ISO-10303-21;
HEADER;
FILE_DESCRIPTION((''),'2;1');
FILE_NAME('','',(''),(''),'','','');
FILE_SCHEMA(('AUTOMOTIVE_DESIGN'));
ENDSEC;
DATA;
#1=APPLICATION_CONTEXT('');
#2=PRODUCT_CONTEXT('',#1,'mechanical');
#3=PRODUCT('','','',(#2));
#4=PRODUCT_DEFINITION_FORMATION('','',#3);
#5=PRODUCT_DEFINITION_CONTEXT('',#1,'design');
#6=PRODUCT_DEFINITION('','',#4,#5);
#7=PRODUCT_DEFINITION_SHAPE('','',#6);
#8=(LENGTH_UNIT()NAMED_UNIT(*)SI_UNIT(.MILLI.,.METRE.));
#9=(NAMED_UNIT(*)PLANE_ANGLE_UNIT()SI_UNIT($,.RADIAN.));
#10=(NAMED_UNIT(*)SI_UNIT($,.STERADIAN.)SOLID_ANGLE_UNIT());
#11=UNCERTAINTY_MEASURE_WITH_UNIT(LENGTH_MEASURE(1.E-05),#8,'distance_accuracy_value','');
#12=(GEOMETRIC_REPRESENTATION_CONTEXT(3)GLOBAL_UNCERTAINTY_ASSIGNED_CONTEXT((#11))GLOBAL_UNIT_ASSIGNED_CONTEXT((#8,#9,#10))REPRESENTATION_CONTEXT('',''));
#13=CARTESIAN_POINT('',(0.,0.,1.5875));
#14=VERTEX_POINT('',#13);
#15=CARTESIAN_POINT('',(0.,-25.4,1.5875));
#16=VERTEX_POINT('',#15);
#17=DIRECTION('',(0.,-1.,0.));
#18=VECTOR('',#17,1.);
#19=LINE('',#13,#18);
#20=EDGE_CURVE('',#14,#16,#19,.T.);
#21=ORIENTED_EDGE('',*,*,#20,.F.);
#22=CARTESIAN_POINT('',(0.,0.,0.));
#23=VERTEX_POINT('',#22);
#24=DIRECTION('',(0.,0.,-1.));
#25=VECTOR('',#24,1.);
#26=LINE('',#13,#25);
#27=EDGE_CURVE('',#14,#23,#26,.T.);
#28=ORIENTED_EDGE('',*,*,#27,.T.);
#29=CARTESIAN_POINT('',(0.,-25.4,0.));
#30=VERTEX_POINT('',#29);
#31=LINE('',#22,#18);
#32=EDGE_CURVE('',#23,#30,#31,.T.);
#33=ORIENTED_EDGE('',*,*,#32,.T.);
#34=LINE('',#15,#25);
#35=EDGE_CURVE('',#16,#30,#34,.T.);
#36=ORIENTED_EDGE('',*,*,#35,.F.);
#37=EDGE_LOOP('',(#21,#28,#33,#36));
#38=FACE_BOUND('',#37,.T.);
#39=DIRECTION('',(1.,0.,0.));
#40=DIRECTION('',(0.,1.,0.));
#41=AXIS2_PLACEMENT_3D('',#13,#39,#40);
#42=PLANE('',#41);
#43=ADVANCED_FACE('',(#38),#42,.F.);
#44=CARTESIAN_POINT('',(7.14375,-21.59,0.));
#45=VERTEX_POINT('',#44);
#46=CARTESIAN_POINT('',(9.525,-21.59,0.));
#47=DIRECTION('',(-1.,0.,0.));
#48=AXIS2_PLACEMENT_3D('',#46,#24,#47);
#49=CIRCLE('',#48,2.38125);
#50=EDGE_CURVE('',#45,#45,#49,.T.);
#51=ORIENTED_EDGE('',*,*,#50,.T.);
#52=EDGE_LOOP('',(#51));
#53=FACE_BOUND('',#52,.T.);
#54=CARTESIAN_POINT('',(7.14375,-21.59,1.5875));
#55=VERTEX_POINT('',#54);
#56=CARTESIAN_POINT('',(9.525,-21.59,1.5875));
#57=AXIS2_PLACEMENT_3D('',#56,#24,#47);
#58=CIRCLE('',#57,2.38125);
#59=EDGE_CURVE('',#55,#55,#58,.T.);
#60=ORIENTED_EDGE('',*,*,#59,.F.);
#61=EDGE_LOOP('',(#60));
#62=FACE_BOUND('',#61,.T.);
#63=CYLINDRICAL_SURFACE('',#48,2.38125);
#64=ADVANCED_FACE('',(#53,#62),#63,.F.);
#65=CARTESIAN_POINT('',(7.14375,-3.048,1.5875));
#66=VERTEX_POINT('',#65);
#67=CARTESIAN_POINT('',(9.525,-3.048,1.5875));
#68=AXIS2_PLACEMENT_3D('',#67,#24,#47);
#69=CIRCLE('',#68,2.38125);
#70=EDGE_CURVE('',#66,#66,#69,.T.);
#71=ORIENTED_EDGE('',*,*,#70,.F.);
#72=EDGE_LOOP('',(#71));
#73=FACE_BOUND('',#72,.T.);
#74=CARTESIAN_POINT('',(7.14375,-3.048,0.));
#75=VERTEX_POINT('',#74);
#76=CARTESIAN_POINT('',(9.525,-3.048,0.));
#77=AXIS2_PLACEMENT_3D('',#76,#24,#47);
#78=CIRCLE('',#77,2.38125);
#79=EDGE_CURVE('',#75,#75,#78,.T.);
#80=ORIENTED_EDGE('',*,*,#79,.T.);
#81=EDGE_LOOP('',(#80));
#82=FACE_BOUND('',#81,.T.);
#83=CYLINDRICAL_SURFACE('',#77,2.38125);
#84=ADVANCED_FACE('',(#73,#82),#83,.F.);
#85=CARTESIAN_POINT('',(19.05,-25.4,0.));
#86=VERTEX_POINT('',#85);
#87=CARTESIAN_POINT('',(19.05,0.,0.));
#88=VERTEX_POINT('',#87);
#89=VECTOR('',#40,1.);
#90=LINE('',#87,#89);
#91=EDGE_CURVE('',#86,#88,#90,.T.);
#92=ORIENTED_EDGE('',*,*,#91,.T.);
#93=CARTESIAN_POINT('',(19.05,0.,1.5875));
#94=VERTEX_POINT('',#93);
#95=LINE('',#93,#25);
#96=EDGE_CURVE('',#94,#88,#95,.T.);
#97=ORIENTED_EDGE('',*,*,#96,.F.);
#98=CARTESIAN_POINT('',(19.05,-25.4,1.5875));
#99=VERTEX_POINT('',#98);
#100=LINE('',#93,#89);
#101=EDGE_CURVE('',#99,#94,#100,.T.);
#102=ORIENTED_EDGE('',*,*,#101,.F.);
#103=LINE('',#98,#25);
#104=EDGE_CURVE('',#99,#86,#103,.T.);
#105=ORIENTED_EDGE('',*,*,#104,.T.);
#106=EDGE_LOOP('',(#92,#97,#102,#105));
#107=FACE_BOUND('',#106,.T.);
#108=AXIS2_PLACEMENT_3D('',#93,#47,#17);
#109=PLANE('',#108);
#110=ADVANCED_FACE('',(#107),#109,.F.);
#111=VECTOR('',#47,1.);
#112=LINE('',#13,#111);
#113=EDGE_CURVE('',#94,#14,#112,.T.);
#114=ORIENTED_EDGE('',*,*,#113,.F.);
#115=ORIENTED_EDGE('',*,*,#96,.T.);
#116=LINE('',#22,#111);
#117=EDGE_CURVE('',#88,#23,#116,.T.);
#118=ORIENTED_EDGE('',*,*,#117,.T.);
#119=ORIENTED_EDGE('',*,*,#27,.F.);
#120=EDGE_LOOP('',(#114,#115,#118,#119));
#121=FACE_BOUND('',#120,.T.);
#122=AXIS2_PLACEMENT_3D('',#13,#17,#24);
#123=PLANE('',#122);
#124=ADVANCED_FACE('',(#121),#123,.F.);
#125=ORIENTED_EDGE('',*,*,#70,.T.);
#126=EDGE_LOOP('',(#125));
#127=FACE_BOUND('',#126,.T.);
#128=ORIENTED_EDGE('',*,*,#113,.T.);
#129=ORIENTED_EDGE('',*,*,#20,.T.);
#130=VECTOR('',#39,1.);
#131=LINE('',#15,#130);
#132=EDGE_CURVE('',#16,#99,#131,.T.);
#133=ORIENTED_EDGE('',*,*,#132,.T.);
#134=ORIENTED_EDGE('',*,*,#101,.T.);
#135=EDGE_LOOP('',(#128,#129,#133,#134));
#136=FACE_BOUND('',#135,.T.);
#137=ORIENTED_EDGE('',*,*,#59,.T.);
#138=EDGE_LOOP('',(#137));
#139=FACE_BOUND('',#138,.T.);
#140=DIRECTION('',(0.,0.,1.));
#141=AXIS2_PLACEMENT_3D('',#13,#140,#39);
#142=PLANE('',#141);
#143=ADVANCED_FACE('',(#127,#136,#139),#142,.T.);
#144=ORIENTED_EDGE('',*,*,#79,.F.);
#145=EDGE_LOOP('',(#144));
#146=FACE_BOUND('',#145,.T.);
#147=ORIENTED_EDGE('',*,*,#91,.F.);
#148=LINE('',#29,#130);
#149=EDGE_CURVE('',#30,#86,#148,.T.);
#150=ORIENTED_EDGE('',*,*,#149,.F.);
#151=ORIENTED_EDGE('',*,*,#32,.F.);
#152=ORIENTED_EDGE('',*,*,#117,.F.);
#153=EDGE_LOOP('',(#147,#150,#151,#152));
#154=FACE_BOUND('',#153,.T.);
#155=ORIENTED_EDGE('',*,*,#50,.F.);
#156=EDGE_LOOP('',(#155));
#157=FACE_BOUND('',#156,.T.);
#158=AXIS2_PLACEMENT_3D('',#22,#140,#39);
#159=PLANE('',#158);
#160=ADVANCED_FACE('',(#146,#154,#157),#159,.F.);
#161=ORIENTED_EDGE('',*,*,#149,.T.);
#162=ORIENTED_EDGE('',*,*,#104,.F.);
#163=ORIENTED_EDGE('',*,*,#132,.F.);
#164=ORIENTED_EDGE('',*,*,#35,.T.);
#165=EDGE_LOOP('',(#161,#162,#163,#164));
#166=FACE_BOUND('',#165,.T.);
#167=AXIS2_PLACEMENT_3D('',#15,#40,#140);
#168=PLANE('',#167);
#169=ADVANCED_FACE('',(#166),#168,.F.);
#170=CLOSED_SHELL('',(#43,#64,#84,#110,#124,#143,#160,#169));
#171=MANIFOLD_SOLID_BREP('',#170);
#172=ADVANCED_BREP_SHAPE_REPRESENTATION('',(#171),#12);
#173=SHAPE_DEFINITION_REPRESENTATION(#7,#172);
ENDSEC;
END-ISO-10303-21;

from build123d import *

# Parameters (mm, degrees)
SKETCH1_W                      = 19.05
SKETCH1_H                      = 25.4
BOSS_EXTRUDE1_DEPTH            = 1.5875
F_3_16_0_1875_DIAMETER_HOLE1_D = 4.7625


with BuildPart() as part:
    # Sketch1 → Boss-Extrude1 (new body)
    with BuildSketch(Plane.XY):
        with Locations((9.525, -12.7)):
            Rectangle(SKETCH1_W, SKETCH1_H)
    extrude(amount=BOSS_EXTRUDE1_DEPTH)

    # 3/16 (0.1875) Diameter Hole1 (through all)
    with Locations(Plane(origin=(0, 0, 0), x_dir=(-1, 0, 0), z_dir=(0, 0, -1))):
        with Locations((-9.525, -3.048), (-9.525, -21.59)):
            Hole(F_3_16_0_1875_DIAMETER_HOLE1_D / 2)


solid = part.part
